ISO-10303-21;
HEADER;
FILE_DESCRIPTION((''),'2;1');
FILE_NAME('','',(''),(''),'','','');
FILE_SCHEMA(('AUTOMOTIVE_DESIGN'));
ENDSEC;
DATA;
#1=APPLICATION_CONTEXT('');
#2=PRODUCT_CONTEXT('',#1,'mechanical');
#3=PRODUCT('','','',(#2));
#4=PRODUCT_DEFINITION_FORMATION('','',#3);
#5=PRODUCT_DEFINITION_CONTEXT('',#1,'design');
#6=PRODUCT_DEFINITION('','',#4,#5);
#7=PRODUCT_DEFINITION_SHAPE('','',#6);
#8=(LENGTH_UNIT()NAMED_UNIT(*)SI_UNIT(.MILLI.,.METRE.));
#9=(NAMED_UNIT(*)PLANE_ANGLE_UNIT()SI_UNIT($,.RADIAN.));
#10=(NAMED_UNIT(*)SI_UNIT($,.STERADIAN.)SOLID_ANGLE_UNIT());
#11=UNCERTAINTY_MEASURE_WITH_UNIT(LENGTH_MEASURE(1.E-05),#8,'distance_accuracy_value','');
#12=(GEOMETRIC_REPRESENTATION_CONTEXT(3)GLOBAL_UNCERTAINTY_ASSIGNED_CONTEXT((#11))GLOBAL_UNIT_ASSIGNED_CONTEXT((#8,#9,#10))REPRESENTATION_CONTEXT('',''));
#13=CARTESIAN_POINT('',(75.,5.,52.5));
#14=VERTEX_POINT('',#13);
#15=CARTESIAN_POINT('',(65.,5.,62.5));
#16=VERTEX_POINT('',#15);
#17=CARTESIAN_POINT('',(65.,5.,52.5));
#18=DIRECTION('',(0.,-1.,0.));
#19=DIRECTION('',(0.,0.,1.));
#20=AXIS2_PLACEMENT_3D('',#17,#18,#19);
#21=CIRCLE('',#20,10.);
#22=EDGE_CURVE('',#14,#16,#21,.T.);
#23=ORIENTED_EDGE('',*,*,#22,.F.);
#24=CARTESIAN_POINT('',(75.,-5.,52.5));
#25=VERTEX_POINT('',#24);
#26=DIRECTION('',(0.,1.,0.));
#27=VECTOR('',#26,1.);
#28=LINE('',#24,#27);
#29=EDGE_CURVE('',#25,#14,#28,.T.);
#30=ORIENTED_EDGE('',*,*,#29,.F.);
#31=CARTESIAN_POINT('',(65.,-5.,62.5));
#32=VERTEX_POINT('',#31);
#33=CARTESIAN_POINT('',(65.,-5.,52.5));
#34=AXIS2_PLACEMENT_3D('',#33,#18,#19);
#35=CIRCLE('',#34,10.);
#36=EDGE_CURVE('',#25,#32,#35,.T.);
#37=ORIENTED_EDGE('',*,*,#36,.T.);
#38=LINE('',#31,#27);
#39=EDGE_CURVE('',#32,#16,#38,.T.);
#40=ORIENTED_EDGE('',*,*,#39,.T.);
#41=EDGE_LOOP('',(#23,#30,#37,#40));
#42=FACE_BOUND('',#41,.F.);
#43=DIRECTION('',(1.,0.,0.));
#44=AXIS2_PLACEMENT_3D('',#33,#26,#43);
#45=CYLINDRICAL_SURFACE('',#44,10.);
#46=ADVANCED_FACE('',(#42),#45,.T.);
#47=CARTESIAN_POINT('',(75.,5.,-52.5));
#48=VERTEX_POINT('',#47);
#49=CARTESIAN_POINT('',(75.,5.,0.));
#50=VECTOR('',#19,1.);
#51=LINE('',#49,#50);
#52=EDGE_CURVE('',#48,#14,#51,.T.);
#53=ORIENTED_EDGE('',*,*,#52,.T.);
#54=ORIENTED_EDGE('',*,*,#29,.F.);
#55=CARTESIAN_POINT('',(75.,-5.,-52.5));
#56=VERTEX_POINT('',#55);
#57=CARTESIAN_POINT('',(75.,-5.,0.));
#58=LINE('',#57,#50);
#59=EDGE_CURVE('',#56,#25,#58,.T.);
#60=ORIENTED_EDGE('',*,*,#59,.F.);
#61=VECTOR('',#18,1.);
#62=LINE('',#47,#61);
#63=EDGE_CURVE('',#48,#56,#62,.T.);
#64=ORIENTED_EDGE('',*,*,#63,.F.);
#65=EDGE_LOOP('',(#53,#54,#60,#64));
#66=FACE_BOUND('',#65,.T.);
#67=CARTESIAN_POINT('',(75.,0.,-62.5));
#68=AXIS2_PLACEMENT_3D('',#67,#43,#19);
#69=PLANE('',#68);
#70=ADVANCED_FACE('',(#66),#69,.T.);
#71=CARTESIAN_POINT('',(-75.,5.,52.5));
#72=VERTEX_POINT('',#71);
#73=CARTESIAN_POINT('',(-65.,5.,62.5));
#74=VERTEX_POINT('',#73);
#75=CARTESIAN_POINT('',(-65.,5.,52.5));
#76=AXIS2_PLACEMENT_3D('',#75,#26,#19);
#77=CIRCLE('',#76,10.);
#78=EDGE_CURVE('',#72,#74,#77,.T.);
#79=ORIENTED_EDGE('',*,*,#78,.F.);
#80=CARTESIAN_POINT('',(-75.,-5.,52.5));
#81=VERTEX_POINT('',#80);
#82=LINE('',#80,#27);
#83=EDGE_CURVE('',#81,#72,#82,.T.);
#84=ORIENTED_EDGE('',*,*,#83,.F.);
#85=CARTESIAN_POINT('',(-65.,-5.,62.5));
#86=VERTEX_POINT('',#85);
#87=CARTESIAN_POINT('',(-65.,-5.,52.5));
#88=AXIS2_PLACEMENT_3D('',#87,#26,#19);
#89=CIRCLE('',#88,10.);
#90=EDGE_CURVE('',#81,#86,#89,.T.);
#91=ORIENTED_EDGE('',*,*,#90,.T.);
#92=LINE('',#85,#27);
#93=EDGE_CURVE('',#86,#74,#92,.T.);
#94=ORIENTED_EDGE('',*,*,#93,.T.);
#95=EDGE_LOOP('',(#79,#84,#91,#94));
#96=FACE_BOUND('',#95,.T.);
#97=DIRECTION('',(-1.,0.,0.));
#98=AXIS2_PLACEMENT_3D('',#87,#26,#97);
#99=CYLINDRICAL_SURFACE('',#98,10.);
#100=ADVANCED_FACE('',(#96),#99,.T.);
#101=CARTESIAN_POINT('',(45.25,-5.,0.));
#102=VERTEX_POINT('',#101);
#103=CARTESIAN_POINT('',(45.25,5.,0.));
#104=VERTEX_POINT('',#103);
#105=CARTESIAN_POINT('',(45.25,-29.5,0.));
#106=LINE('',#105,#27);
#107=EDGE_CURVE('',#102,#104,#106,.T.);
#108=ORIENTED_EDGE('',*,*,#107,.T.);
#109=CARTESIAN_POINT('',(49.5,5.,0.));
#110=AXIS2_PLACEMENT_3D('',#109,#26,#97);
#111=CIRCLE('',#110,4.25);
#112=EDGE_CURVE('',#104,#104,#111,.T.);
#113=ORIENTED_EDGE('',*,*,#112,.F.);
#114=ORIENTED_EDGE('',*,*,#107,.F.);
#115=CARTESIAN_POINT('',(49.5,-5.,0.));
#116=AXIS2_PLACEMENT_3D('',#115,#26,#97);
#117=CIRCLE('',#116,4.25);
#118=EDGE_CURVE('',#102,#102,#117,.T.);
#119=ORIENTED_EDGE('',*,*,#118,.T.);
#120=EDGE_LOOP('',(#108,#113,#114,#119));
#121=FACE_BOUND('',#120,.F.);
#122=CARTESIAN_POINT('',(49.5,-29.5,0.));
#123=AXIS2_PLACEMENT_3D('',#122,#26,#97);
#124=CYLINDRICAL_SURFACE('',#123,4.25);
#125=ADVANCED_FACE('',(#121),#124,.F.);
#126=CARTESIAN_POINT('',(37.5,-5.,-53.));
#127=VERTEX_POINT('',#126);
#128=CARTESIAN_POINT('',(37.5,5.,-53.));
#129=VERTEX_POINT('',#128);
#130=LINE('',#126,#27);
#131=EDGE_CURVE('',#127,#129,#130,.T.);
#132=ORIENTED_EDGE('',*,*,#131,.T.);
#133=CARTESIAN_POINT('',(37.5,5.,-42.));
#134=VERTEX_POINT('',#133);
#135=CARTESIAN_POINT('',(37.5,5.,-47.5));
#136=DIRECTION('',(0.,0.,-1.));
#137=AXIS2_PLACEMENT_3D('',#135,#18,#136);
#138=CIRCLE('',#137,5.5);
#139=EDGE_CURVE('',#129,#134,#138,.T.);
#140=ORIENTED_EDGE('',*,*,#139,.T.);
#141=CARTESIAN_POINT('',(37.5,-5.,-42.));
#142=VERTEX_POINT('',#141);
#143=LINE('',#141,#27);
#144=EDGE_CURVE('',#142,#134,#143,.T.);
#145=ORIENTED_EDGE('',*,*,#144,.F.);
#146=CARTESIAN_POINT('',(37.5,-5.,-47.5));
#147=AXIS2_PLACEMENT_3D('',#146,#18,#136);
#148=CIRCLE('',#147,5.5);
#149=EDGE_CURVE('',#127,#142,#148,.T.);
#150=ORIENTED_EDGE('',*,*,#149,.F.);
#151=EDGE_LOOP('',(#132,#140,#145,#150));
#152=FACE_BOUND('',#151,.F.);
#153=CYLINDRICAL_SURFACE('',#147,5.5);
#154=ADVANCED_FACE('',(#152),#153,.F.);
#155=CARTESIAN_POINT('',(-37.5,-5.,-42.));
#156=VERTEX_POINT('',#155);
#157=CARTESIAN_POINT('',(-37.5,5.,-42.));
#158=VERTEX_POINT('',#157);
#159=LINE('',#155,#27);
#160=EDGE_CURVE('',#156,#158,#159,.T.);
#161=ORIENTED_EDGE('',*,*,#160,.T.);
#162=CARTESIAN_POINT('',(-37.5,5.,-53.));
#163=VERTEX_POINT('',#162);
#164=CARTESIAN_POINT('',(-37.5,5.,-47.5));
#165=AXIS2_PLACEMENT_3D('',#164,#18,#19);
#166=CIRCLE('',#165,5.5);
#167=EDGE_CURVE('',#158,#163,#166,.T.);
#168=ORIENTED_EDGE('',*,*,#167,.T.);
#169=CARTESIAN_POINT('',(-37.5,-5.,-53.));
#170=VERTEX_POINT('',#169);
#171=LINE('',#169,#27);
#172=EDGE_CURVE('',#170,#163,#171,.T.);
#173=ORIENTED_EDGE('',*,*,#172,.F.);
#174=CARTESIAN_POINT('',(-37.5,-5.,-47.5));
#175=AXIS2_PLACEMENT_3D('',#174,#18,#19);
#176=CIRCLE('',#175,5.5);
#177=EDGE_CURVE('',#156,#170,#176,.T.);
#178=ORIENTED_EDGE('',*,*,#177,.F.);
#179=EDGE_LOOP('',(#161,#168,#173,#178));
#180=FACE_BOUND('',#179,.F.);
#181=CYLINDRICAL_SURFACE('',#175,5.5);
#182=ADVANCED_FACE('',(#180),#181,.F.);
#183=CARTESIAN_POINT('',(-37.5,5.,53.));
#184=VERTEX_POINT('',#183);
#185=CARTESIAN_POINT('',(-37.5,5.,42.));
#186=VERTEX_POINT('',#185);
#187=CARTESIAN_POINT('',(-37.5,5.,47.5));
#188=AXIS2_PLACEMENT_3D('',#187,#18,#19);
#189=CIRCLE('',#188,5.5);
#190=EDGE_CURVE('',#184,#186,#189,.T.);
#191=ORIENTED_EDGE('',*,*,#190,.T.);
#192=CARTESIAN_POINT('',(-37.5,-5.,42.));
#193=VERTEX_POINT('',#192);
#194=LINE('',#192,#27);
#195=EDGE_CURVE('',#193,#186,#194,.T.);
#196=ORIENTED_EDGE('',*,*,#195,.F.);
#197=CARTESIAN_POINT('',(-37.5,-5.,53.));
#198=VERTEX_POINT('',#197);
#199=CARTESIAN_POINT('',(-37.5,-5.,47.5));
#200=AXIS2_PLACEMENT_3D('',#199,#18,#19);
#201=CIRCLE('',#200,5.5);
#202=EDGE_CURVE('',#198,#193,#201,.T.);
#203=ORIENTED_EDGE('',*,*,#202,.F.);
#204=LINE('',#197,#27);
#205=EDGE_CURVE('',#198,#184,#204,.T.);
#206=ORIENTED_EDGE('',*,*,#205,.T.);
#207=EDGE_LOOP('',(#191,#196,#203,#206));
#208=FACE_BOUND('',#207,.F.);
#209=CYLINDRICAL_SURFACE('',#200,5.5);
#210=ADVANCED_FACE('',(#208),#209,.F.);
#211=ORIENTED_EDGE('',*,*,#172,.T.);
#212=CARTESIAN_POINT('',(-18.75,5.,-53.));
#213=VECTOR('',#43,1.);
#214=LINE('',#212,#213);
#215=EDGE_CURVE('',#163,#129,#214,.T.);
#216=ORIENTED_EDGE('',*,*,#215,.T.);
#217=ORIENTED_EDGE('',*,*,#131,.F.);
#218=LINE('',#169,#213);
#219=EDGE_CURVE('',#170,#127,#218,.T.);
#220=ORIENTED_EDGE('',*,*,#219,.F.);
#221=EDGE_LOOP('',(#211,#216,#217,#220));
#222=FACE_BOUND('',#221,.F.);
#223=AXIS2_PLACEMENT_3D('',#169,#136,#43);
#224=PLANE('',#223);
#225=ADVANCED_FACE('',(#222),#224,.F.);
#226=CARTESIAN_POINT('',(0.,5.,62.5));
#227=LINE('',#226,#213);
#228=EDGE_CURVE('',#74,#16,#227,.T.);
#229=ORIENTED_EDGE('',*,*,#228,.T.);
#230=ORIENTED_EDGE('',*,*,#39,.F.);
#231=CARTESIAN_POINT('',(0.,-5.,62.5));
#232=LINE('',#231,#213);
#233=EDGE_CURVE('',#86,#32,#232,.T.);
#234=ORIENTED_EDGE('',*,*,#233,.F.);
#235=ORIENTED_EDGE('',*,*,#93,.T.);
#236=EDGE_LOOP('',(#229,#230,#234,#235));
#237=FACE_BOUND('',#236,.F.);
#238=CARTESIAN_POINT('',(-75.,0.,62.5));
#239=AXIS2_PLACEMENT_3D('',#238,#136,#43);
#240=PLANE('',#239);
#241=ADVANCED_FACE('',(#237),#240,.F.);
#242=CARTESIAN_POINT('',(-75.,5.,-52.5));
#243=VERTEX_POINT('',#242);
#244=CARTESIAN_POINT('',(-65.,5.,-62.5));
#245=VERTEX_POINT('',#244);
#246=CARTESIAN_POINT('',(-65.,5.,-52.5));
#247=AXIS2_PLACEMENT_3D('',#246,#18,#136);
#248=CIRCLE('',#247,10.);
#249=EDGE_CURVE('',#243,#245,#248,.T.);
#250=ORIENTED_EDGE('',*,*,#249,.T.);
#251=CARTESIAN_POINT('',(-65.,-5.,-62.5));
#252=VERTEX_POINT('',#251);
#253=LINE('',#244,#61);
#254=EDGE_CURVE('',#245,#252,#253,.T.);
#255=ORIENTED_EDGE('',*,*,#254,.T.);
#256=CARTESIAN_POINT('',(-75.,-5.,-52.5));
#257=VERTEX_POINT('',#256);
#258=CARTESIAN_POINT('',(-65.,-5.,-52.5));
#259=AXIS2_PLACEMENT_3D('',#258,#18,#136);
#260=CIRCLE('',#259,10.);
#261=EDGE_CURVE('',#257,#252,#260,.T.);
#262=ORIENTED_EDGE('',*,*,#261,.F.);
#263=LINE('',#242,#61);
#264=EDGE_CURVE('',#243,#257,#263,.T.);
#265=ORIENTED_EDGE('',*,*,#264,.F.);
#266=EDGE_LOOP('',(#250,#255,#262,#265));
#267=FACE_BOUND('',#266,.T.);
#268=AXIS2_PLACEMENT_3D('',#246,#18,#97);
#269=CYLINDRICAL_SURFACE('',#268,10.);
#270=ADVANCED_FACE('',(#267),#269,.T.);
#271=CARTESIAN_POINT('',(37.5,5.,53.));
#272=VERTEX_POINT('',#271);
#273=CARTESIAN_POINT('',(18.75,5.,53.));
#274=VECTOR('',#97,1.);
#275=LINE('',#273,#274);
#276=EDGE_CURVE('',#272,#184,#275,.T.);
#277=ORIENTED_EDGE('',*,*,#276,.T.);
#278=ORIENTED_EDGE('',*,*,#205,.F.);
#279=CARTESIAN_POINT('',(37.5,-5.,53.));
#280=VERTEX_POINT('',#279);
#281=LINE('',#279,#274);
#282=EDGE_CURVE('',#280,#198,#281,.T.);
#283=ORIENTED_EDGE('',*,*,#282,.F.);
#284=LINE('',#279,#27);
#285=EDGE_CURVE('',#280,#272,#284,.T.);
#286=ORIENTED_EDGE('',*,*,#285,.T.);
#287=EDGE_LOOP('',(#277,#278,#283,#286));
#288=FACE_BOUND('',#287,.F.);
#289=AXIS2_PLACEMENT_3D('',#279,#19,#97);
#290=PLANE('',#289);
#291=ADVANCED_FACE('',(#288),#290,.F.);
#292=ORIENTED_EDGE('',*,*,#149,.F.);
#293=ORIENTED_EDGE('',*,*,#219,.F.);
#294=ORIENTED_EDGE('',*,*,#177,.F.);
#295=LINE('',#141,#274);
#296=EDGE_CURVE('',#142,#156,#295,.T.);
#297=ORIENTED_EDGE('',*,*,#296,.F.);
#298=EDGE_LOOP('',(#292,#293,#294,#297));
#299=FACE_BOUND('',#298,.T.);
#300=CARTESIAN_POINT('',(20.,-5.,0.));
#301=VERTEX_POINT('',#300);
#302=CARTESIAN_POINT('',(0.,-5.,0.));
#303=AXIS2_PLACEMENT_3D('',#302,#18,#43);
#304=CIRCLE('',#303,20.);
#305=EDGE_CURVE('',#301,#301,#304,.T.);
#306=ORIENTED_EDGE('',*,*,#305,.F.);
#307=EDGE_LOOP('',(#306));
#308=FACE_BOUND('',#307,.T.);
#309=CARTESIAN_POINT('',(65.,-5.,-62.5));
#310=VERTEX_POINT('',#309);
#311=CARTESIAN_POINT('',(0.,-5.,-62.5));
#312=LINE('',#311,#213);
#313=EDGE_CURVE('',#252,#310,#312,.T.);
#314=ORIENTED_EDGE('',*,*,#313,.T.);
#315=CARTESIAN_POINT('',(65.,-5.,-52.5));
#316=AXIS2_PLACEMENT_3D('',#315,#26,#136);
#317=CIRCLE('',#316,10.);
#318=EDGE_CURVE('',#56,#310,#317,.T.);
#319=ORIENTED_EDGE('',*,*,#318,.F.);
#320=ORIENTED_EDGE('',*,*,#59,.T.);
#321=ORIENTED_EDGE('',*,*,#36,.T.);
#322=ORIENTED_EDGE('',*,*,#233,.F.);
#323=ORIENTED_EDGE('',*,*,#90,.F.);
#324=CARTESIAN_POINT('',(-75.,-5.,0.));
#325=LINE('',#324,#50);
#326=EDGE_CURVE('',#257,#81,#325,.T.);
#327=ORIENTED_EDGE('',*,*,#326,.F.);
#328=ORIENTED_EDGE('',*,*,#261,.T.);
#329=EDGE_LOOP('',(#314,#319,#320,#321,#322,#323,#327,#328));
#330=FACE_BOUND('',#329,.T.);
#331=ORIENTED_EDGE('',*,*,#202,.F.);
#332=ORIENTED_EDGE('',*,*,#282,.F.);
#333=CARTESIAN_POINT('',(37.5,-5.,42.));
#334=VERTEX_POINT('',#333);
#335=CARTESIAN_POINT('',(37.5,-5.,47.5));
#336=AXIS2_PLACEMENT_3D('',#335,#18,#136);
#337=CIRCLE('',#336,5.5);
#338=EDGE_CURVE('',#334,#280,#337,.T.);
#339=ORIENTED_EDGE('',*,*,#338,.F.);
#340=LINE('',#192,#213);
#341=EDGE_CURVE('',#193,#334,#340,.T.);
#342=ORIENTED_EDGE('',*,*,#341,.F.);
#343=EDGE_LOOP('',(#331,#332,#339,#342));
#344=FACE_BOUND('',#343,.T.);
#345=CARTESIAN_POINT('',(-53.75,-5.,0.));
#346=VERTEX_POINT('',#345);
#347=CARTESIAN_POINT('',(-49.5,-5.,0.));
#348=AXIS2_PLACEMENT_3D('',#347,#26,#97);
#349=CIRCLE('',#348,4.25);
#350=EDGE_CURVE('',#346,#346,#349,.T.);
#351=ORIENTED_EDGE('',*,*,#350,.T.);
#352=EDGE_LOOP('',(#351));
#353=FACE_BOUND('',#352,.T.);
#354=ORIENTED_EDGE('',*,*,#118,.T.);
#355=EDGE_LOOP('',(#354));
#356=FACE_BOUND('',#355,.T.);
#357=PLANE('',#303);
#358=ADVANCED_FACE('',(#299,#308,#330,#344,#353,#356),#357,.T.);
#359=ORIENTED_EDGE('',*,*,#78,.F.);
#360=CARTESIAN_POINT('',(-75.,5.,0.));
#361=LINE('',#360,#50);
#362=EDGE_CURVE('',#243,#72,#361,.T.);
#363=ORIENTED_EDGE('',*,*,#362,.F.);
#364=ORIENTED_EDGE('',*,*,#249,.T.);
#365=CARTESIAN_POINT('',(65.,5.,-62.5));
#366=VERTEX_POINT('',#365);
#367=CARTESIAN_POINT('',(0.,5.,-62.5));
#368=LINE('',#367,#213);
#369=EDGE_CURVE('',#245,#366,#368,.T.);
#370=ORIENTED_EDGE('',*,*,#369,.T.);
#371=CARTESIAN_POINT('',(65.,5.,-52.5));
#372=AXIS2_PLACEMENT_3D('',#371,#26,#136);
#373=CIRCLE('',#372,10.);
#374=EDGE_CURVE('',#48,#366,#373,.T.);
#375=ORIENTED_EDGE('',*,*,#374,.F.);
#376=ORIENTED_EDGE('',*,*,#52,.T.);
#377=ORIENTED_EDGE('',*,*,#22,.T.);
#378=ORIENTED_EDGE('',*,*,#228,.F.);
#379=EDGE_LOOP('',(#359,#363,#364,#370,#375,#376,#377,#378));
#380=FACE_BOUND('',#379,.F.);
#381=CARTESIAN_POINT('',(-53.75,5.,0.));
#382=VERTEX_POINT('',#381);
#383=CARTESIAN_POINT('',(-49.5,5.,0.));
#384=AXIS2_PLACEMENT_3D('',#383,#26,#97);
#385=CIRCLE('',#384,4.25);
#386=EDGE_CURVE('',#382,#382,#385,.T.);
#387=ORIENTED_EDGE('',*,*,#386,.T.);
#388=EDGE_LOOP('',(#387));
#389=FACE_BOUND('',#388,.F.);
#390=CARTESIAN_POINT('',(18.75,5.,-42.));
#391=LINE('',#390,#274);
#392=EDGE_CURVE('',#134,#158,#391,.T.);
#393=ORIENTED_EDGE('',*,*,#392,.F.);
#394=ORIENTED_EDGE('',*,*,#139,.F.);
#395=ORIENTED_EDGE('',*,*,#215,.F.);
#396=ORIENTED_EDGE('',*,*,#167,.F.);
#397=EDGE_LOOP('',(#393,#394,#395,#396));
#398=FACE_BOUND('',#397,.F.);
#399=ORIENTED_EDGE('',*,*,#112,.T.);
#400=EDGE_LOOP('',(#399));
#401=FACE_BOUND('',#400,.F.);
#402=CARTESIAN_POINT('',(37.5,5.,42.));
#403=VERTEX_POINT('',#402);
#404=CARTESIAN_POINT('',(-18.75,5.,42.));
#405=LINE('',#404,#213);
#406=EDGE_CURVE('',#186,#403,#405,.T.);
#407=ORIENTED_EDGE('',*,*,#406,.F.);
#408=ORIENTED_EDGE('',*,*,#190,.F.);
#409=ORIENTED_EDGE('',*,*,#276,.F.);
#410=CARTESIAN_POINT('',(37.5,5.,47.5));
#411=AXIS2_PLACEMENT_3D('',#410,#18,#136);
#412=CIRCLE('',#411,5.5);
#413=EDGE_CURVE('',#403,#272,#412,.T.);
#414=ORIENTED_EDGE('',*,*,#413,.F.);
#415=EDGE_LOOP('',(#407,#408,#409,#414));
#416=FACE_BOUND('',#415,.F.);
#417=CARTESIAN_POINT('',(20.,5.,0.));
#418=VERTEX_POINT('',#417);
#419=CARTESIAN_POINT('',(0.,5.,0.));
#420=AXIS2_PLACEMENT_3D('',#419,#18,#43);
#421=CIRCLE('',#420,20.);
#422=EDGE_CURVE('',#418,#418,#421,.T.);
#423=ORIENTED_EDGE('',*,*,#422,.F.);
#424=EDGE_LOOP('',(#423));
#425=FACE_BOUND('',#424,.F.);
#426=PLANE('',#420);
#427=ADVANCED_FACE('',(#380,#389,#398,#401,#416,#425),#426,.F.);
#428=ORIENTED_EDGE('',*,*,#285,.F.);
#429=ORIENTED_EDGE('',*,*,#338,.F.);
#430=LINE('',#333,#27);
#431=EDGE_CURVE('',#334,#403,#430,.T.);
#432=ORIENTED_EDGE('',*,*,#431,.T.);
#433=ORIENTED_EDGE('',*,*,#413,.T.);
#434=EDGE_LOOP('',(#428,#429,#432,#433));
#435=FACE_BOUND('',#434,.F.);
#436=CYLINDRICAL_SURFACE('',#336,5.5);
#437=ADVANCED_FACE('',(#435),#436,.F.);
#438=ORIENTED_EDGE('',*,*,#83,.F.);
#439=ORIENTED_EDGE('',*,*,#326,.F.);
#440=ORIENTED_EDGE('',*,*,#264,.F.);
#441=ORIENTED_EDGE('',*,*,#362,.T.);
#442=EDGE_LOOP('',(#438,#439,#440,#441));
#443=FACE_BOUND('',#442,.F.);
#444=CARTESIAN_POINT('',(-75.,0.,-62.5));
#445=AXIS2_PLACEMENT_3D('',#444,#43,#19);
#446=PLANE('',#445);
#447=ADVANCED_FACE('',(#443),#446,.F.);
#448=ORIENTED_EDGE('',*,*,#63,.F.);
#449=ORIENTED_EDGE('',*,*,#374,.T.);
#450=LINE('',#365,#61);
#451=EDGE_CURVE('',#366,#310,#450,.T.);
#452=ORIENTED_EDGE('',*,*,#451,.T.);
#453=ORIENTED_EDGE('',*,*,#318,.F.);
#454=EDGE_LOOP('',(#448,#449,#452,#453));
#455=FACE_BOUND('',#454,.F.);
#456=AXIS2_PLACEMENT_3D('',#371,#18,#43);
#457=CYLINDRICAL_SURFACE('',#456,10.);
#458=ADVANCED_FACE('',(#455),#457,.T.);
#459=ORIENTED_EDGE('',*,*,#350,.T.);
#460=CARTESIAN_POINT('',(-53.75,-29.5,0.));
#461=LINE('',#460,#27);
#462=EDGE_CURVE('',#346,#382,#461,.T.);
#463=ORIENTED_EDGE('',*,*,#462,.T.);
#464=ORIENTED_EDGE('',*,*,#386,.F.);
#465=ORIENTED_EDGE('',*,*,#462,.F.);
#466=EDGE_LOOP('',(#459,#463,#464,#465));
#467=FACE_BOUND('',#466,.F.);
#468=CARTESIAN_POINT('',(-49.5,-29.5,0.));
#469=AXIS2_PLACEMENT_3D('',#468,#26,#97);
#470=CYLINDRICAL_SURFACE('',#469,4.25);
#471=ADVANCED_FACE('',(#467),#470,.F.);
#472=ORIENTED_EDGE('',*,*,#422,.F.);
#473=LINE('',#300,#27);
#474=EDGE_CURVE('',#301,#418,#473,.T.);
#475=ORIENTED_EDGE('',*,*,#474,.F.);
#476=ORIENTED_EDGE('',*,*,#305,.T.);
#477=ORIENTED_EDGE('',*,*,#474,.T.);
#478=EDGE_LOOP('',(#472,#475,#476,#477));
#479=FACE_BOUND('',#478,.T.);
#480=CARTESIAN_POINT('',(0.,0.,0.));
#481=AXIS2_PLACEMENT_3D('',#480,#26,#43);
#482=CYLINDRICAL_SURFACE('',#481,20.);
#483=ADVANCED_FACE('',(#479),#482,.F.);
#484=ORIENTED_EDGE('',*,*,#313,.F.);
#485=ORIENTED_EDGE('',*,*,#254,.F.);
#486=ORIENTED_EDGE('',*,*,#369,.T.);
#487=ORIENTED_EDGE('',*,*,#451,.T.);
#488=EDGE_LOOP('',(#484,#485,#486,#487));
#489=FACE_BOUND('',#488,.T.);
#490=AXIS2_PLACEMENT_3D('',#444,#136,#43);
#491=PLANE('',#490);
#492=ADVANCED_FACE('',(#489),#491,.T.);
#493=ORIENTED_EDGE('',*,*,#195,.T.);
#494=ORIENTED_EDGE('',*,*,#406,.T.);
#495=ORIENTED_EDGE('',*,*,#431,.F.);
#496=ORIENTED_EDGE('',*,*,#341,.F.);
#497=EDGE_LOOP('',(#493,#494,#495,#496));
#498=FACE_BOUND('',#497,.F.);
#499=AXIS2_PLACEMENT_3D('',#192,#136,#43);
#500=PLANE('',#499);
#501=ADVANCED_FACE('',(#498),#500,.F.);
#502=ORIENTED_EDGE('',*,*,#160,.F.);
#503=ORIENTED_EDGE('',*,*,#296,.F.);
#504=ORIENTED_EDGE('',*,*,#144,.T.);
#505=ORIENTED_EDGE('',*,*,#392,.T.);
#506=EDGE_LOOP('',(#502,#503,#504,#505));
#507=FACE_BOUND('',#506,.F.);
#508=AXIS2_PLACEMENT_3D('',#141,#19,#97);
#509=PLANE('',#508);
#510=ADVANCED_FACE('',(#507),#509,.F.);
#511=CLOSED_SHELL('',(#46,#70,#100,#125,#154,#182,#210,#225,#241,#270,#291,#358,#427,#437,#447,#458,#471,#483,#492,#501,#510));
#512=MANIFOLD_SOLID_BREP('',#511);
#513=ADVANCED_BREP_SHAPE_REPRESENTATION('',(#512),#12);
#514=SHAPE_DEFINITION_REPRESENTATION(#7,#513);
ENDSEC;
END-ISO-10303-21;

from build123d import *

# Parameters (mm, degrees)
F0_W     = 150
F0_H     = 125
F0_R     = 20
F1_DEPTH = 5
F2_R     = 10
F4_D     = 8.5
F4_DEPTH = 24.5
F4_TIP   = 2.5536576309
F6_DEPTH = 10.001


with BuildPart() as f1:
    # F0 (on Front) → F1 (new body, symmetric)
    with BuildSketch(Plane.XZ):
        Rectangle(F0_W, F0_H)
        Circle(F0_R, mode=Mode.SUBTRACT)
    extrude(amount=F1_DEPTH, both=True)

    # F2
    f2_edges = [f1.edges().sort_by_distance(p)[0] for p in [
        (-75, 0, 62.5),
        (75, 0, 62.5),
        (75, 0, -62.5),
        (-75, 0, -62.5),
    ]]
    fillet(f2_edges, radius=F2_R)

    # F4
    with Locations(Plane.XZ.offset(5)):
        with Locations((-49.5, 0), (49.5, 0)):
            Hole(F4_D / 2, depth=F4_DEPTH)
            with Locations((0, 0, -(F4_DEPTH + F4_TIP / 2))):  # 118° drill point
                Cone(0, F4_D / 2, F4_TIP, mode=Mode.SUBTRACT)

    # F5 (on face) → F6 (cut, through all)
    with BuildSketch(Plane.XZ.offset(5)):
        with BuildLine():
            ThreePointArc((-37.5, 53), (-43, 47.5), (-37.5, 42))
            Line((-37.5, 42), (37.5, 42))
            ThreePointArc((37.5, 42), (43, 47.5), (37.5, 53))
            Line((37.5, 53), (-37.5, 53))
        make_face()
        with BuildLine():
            ThreePointArc((37.5, -53), (43, -47.5), (37.5, -42))
            Line((37.5, -42), (-37.5, -42))
            ThreePointArc((-37.5, -42), (-43, -47.5), (-37.5, -53))
            Line((-37.5, -53), (37.5, -53))
        make_face()
    extrude(amount=-F6_DEPTH, mode=Mode.SUBTRACT)


solid = f1.part
